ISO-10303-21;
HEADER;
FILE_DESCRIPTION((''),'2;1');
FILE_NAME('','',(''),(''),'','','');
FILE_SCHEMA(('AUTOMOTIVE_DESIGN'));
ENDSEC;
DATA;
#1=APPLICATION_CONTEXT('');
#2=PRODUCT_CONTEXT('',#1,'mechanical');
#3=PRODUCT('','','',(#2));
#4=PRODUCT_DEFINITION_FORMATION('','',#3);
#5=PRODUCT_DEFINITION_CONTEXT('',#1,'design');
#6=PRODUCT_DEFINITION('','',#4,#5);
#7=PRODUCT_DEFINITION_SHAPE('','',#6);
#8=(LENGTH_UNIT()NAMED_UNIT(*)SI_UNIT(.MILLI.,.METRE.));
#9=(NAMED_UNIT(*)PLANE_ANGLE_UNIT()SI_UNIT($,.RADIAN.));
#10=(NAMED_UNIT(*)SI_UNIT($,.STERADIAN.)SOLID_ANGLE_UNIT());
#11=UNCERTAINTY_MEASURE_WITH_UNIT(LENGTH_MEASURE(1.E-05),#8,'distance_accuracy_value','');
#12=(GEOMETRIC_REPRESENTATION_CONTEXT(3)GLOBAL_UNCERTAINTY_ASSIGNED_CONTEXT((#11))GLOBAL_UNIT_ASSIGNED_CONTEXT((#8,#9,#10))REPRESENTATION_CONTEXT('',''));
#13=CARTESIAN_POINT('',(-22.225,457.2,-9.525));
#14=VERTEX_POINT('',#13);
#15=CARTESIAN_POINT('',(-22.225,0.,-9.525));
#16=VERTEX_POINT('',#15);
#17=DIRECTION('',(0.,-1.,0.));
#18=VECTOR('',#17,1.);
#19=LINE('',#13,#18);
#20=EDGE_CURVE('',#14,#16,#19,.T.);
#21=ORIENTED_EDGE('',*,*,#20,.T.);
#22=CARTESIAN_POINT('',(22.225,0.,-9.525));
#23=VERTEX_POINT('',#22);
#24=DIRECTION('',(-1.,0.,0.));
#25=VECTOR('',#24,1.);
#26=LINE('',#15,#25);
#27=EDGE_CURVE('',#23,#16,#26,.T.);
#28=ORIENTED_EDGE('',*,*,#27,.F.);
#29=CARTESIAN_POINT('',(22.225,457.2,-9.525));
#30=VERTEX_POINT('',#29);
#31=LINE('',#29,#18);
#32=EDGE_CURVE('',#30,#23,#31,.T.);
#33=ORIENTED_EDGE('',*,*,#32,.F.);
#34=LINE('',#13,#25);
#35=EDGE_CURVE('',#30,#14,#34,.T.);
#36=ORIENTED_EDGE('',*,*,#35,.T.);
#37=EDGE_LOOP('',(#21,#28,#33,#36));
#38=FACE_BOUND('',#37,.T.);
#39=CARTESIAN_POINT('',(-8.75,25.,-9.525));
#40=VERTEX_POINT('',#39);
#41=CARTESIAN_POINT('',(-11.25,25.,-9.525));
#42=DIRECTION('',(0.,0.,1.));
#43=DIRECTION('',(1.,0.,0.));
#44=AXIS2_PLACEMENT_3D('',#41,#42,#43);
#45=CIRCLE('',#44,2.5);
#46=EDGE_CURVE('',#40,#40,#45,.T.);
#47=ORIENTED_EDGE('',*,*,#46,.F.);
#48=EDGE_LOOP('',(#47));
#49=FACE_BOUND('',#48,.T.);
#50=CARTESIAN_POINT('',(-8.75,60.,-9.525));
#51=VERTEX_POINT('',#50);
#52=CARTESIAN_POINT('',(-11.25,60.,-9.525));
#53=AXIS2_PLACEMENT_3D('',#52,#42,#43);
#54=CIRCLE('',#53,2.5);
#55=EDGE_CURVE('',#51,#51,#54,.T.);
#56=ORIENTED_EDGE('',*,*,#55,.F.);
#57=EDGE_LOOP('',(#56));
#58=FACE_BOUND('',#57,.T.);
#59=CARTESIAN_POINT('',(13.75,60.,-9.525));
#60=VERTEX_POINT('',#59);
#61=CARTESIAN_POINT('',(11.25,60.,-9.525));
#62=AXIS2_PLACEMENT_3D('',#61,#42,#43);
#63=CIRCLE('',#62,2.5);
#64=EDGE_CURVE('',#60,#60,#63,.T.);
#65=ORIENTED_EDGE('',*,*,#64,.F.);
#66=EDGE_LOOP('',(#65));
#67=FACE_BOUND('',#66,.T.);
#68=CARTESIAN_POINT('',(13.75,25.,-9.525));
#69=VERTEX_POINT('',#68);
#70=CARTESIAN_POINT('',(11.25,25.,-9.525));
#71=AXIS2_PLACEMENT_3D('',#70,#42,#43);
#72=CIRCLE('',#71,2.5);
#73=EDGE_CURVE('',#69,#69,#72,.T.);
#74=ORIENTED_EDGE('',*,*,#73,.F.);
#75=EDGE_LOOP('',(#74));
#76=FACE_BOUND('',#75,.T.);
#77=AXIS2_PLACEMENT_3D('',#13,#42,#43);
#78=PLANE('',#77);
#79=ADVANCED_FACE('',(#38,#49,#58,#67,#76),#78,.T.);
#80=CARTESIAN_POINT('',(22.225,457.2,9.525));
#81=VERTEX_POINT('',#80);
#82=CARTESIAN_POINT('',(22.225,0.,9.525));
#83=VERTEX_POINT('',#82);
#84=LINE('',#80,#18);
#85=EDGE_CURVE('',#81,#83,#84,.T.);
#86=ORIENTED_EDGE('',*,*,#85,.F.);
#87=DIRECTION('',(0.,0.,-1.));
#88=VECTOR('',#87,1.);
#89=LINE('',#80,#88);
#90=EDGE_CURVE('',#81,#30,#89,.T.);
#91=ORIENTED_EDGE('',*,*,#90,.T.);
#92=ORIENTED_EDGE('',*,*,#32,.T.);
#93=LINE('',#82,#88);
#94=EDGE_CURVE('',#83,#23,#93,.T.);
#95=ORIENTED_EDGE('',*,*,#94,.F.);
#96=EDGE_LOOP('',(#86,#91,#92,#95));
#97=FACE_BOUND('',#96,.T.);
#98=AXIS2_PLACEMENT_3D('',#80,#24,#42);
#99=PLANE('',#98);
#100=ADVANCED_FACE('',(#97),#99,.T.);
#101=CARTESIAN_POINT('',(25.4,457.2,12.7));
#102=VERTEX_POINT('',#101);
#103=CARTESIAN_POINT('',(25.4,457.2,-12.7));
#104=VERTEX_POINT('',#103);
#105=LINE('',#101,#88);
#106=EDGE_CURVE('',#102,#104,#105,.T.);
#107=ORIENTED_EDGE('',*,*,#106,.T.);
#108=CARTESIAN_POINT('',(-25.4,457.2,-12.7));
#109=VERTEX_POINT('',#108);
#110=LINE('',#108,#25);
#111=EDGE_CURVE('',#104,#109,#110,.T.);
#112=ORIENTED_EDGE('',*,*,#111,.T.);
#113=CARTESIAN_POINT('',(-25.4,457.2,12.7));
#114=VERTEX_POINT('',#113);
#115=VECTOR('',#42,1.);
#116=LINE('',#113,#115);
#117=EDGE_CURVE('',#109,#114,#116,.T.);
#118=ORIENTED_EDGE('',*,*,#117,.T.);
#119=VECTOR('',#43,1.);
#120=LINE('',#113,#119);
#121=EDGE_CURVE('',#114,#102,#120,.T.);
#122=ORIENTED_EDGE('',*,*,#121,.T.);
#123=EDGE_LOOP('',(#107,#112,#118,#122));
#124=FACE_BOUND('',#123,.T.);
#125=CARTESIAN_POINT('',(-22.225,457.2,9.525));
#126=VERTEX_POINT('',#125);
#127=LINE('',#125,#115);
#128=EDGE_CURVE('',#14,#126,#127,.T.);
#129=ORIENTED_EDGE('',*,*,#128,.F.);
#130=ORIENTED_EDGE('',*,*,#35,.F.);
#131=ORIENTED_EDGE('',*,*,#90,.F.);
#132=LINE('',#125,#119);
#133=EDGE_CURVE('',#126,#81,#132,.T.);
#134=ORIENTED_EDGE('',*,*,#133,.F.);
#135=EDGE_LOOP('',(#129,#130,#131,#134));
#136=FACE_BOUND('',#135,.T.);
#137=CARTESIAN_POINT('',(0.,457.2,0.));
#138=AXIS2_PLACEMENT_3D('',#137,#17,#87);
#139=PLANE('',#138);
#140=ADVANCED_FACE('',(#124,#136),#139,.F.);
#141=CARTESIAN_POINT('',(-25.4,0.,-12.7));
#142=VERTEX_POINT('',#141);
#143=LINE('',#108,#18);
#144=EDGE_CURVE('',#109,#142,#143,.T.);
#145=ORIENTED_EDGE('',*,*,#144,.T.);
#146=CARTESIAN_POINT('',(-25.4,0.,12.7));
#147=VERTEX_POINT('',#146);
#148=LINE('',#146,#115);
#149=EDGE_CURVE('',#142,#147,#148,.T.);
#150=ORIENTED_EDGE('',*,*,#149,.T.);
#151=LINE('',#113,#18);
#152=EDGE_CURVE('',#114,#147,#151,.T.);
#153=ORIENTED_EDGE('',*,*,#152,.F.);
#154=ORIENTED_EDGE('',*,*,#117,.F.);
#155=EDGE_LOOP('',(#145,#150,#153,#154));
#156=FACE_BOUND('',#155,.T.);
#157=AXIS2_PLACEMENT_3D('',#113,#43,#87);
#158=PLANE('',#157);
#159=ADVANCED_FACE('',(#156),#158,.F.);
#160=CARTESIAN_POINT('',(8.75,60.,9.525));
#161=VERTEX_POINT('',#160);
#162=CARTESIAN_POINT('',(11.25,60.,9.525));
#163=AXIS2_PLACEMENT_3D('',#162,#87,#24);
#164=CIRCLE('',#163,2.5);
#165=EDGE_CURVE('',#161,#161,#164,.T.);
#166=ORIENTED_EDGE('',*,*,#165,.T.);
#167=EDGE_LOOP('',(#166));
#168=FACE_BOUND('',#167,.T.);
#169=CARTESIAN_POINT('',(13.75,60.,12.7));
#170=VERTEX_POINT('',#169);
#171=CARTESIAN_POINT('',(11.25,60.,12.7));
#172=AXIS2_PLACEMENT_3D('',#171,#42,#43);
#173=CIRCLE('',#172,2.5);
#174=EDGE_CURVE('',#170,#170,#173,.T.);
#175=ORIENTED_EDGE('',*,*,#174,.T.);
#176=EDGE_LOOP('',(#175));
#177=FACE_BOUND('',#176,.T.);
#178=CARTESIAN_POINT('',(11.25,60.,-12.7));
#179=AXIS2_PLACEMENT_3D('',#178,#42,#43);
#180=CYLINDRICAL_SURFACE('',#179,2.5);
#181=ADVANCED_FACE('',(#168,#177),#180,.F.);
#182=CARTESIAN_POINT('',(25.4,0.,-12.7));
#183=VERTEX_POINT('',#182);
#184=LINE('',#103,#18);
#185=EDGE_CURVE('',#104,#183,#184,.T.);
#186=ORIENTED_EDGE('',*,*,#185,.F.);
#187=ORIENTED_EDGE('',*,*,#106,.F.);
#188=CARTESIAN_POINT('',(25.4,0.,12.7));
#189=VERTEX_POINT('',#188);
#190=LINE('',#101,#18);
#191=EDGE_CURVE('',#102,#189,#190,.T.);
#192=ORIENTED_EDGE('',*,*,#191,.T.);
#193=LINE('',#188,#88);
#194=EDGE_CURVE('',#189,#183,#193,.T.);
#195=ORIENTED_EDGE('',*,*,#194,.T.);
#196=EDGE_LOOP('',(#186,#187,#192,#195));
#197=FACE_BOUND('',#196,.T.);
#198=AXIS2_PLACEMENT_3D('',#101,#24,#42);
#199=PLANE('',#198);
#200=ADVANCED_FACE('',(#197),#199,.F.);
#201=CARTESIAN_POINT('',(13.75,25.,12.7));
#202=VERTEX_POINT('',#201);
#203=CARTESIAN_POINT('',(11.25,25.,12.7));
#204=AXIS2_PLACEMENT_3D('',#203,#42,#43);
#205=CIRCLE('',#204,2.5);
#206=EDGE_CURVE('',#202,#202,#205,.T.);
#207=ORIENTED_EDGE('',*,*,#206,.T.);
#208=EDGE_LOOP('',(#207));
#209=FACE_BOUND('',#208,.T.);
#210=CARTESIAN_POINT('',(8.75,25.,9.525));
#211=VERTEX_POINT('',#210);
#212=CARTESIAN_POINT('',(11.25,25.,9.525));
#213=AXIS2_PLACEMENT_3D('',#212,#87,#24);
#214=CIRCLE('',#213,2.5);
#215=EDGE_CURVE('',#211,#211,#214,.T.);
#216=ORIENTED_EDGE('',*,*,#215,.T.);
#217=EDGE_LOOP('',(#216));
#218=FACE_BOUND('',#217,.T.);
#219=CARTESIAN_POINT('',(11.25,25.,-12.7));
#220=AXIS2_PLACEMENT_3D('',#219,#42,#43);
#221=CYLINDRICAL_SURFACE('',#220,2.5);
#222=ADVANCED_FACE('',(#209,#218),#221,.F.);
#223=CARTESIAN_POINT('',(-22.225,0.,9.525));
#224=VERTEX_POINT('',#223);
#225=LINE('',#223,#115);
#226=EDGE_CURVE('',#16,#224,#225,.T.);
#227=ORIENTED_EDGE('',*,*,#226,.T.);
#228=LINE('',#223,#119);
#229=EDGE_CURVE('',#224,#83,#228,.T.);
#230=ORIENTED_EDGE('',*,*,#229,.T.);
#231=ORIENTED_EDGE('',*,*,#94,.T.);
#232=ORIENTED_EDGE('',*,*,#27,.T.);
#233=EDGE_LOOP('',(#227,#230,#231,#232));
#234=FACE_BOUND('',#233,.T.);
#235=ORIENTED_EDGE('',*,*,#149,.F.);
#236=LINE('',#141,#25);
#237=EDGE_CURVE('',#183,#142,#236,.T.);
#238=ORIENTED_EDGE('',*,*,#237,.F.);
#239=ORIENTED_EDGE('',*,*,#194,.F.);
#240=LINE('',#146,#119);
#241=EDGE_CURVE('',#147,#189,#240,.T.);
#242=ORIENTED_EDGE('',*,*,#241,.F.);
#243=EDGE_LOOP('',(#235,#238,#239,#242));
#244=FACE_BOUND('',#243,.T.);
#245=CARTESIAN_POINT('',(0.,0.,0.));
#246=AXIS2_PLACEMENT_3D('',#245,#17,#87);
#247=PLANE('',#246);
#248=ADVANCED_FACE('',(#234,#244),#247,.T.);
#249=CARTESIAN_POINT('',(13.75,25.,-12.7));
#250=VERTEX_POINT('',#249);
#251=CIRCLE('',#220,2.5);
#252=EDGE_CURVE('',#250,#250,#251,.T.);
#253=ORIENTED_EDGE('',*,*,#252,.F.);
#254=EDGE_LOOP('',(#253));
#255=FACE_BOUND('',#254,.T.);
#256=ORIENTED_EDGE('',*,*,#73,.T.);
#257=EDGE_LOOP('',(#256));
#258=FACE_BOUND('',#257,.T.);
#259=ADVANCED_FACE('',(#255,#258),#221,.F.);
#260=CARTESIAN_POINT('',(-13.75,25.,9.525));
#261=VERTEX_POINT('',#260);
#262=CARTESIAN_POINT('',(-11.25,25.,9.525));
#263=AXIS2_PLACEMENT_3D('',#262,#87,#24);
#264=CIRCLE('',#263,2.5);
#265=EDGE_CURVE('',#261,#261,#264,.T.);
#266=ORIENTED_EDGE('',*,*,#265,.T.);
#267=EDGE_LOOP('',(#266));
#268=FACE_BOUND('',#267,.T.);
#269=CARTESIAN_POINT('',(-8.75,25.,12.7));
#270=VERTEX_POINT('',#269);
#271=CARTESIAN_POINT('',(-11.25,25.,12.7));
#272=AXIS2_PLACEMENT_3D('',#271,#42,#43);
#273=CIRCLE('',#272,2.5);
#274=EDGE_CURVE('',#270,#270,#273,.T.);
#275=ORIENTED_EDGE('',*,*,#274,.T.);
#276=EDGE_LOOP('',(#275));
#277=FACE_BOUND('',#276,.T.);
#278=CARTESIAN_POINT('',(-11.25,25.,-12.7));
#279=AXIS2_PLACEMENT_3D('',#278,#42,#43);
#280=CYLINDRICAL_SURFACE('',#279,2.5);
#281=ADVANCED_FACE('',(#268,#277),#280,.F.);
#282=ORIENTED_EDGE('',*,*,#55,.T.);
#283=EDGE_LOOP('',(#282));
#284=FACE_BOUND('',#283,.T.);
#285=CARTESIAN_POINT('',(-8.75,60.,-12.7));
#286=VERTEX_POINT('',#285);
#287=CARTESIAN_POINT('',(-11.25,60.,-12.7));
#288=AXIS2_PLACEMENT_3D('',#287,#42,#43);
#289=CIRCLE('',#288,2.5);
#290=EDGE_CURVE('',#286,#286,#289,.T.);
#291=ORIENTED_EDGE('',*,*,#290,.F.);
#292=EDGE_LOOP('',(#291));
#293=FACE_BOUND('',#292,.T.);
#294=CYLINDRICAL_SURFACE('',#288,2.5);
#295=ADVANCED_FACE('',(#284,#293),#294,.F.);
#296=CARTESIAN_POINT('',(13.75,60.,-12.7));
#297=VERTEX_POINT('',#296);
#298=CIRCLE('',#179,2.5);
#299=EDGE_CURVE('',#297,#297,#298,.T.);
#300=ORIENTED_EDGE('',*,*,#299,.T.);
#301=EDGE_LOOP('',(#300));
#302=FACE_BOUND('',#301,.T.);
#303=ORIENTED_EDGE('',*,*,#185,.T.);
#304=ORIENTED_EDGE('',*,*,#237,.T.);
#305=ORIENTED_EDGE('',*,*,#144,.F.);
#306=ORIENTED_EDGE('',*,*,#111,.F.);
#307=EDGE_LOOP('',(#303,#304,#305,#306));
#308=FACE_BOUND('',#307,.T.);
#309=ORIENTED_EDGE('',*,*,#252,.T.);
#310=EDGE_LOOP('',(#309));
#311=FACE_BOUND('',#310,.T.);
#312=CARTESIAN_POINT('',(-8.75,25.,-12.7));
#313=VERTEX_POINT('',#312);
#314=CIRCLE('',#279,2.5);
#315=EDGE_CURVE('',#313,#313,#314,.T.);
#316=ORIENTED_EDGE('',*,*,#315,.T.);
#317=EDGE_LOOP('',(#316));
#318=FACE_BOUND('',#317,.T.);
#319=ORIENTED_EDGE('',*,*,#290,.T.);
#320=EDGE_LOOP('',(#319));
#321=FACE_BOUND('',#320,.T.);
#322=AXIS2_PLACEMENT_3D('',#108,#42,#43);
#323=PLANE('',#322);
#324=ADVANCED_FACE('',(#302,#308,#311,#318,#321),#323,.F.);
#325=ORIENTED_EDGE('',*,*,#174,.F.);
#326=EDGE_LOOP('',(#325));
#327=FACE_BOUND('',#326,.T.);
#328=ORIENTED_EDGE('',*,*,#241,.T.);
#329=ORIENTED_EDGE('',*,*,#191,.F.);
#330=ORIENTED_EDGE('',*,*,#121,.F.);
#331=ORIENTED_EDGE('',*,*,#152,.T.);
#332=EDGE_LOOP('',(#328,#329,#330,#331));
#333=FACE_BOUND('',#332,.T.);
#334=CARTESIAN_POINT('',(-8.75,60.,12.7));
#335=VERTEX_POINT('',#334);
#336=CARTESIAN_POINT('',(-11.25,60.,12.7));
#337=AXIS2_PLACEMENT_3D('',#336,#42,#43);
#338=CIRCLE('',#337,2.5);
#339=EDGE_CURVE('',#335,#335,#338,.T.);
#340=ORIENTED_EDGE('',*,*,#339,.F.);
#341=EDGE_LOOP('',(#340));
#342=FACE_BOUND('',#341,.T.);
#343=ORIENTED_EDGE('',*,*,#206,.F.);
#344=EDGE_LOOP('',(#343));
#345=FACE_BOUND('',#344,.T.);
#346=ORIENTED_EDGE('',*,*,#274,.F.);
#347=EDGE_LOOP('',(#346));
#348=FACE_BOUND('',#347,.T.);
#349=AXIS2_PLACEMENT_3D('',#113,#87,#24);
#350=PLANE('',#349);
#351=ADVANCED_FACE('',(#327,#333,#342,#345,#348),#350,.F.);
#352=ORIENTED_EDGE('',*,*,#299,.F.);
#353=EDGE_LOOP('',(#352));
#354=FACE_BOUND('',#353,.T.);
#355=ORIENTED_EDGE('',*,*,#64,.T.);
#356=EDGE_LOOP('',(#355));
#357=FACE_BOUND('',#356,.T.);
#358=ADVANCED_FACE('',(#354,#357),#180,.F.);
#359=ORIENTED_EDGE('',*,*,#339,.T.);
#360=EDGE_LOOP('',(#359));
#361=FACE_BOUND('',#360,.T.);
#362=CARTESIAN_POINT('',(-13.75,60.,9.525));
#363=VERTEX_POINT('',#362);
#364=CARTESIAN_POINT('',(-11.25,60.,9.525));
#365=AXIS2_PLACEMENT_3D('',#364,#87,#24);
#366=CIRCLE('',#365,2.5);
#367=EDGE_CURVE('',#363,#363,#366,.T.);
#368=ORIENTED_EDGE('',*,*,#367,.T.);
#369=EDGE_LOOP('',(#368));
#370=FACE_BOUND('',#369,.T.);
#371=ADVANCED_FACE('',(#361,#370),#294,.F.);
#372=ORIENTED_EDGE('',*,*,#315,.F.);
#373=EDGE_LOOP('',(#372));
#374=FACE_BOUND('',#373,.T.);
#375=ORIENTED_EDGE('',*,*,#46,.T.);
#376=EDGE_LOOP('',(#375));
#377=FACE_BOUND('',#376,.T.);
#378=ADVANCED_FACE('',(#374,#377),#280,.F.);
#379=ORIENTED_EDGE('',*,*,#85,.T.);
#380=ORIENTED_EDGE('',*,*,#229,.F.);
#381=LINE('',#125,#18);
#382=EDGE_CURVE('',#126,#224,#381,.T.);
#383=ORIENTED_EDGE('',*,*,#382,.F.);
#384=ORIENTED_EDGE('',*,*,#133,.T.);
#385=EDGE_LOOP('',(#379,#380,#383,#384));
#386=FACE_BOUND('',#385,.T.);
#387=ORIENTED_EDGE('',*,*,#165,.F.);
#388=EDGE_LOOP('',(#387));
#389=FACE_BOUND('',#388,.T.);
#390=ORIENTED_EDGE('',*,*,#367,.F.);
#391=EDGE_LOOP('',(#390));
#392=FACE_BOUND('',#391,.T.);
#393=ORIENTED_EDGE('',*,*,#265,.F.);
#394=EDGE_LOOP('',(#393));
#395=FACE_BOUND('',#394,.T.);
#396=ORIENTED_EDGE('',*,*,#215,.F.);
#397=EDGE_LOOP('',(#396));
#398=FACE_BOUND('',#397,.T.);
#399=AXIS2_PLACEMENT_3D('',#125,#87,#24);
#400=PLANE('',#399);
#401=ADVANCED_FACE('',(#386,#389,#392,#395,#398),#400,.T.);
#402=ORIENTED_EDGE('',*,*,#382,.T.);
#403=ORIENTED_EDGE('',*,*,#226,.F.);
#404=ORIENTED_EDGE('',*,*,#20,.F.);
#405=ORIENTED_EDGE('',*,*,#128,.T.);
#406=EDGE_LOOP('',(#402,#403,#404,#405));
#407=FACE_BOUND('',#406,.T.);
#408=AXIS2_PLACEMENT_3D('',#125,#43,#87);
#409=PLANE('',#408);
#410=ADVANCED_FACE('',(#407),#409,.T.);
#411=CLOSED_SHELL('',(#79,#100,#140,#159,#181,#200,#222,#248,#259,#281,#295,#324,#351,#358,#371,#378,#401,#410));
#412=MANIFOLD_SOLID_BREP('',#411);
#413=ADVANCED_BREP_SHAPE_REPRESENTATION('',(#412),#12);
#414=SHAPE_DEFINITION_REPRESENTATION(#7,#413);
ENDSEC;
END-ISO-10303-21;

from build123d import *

# Parameters (mm, degrees)
SKETCH1_W           = 50.8
SKETCH1_H           = 25.4
SKETCH1_W_2         = 44.45
SKETCH1_H_2         = 19.05
BOSS_EXTRUDE1_DEPTH = 457.2
SKETCH2_R           = 2.5
CUT_EXTRUDE1_DEPTH  = 459.608940166


with BuildPart() as part:
    # Sketch1 → Boss-Extrude1 (new body)
    with BuildSketch(Plane(origin=(0, 0, 0), x_dir=(1, 0, 0), z_dir=(0, 1, 0))):
        Rectangle(SKETCH1_W, SKETCH1_H)
        Rectangle(SKETCH1_W_2, SKETCH1_H_2, mode=Mode.SUBTRACT)
    extrude(amount=BOSS_EXTRUDE1_DEPTH)

    # Sketch2 → Cut-Extrude1 (cut, through all)
    with BuildSketch(Plane.XY.offset(12.7)):
        with Locations((-11.25, 60)):
            Circle(SKETCH2_R)
        with Locations((-11.25, 25)):
            Circle(SKETCH2_R)
        with Locations((11.25, 25)):
            Circle(SKETCH2_R)
        with Locations((11.25, 60)):
            Circle(SKETCH2_R)
    extrude(amount=-CUT_EXTRUDE1_DEPTH, mode=Mode.SUBTRACT)


solid = part.part
